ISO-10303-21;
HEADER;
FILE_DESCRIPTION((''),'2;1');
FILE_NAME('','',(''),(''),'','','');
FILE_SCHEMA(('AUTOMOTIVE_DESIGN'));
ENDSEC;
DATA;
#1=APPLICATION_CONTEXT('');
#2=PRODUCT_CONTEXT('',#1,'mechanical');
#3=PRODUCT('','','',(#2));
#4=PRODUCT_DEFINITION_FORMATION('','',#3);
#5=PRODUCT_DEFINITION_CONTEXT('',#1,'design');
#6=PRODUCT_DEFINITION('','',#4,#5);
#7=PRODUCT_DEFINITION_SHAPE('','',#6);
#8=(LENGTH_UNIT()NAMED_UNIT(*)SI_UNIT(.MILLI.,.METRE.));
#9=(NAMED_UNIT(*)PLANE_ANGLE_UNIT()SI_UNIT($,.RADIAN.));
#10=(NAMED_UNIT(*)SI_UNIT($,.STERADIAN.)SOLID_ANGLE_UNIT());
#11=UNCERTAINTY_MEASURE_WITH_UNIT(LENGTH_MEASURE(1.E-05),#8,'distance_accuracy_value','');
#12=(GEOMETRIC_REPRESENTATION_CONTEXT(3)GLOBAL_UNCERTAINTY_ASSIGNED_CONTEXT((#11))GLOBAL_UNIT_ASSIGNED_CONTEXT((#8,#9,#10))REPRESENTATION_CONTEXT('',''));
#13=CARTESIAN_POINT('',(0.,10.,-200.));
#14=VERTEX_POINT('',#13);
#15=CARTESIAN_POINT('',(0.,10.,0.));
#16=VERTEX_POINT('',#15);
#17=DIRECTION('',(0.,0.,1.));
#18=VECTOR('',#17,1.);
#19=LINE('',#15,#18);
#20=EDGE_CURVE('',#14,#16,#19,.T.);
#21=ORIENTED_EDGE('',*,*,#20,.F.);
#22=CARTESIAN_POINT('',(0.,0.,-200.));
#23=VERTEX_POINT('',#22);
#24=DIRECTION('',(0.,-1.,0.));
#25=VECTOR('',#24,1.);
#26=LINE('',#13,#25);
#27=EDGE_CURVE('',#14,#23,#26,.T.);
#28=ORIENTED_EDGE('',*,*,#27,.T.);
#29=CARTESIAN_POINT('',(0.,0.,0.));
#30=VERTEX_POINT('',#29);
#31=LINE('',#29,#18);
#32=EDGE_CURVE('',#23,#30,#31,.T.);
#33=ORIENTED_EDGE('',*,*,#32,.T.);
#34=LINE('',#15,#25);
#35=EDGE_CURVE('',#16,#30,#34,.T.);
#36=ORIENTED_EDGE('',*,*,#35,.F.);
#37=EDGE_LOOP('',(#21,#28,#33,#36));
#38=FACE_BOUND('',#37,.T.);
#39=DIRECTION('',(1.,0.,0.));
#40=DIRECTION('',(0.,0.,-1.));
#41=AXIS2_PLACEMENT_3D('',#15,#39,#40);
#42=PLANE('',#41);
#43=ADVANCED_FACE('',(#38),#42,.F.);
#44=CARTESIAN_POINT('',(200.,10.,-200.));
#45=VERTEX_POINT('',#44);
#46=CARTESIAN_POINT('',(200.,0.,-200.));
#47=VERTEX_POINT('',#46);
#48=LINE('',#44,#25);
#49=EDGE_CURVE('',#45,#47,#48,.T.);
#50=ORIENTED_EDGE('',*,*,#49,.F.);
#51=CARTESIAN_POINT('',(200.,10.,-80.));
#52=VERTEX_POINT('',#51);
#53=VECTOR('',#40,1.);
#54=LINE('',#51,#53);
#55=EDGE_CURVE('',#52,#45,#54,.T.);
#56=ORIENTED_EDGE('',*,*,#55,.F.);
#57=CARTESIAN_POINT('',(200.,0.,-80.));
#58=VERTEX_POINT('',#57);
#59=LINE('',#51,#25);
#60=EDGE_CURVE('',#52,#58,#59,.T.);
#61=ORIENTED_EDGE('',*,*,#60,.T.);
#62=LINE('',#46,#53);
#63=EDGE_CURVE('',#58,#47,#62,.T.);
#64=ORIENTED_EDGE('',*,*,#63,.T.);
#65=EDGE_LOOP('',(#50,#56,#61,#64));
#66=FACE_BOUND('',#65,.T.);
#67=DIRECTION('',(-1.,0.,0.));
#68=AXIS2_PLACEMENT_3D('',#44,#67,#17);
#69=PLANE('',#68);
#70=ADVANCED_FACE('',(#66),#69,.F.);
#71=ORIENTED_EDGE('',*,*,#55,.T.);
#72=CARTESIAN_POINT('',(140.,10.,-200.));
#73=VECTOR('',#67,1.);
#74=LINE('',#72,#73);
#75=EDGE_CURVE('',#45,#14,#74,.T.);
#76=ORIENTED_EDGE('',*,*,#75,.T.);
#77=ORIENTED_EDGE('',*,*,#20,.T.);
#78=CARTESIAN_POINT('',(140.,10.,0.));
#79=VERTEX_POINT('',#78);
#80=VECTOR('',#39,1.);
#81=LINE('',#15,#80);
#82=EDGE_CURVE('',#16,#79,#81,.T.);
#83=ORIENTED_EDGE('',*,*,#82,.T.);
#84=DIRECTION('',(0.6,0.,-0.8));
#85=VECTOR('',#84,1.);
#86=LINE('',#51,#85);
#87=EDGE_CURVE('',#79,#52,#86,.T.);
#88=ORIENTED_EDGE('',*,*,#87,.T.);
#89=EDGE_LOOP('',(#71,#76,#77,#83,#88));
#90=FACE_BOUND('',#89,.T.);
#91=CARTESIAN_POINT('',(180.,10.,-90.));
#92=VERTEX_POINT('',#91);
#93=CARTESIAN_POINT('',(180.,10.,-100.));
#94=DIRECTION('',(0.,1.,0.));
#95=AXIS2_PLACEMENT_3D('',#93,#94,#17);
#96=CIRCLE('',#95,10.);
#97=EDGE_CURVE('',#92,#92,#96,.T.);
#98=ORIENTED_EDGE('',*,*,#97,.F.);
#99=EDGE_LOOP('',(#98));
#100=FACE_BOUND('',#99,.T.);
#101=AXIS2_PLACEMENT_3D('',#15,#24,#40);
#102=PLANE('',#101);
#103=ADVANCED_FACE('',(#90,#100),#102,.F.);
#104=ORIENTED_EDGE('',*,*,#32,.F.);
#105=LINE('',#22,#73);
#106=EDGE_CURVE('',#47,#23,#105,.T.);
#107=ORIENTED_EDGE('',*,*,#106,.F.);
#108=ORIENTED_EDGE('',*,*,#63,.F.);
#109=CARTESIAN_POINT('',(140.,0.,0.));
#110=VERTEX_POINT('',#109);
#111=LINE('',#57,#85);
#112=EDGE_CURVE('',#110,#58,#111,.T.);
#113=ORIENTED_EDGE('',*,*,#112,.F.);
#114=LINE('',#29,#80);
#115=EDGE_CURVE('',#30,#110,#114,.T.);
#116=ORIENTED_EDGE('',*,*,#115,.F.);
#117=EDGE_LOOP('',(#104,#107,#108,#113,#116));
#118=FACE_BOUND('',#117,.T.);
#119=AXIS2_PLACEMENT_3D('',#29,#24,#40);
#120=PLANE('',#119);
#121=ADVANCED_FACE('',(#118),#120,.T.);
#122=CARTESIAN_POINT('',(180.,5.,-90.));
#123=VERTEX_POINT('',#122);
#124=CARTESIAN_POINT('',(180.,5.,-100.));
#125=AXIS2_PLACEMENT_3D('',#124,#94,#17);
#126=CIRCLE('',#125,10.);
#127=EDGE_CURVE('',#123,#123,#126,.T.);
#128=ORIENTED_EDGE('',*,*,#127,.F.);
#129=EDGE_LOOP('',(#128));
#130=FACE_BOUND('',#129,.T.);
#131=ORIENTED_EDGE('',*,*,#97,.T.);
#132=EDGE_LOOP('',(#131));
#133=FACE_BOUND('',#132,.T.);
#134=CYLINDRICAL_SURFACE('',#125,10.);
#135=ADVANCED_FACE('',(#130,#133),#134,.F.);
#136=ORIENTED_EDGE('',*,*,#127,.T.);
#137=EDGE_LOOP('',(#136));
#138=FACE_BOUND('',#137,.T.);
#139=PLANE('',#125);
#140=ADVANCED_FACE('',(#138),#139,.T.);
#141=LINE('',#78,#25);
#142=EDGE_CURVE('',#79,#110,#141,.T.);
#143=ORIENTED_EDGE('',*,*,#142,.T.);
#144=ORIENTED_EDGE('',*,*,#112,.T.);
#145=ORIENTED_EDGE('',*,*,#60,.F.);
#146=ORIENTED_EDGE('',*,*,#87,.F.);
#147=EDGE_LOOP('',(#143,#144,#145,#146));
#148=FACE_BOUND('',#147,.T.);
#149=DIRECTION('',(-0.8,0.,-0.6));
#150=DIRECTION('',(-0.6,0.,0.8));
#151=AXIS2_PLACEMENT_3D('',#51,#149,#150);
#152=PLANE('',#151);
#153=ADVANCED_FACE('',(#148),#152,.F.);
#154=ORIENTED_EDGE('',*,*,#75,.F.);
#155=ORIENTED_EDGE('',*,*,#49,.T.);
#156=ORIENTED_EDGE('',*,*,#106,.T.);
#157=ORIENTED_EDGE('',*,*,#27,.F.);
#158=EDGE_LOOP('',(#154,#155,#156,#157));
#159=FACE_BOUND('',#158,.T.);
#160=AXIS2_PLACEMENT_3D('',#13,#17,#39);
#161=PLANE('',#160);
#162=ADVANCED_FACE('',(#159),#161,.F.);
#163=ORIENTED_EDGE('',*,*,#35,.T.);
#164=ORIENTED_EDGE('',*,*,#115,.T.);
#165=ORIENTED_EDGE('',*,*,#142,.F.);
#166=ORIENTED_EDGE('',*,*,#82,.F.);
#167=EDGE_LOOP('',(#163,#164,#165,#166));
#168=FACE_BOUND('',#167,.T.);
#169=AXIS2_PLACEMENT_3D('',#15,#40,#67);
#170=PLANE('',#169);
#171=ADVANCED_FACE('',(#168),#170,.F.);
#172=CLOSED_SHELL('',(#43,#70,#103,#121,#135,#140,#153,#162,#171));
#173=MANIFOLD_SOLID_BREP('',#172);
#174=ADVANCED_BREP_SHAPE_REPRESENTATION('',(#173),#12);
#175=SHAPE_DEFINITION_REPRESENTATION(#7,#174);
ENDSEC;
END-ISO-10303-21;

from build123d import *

# Parameters (mm, degrees)
EXTRUDE_1_DEPTH     = 10
SKETCH_2_R          = 10
CUT_EXTRUDE_1_DEPTH = 5


with BuildPart() as part:
    # Эскиз1 → Бобышка-Вытянуть1 (new body)
    with BuildSketch(Plane(origin=(0, 0, 0), x_dir=(1, 0, 0), z_dir=(0, 1, 0))):
        Polygon((0, 0), (140, 0), (200, 80), (200, 120), (200, 200), (140, 200), (0, 200), align=None)
    extrude(amount=EXTRUDE_1_DEPTH)

    # Эскиз2 → Вырез-Вытянуть1 (cut)
    with BuildSketch(Plane(origin=(0, 10, 0), x_dir=(1, 0, 0), z_dir=(0, 1, 0))):
        with Locations(Location((180, 100, 0), (0, 0, 270))):
            Circle(SKETCH_2_R)
    extrude(amount=-CUT_EXTRUDE_1_DEPTH, mode=Mode.SUBTRACT)


solid = part.part
